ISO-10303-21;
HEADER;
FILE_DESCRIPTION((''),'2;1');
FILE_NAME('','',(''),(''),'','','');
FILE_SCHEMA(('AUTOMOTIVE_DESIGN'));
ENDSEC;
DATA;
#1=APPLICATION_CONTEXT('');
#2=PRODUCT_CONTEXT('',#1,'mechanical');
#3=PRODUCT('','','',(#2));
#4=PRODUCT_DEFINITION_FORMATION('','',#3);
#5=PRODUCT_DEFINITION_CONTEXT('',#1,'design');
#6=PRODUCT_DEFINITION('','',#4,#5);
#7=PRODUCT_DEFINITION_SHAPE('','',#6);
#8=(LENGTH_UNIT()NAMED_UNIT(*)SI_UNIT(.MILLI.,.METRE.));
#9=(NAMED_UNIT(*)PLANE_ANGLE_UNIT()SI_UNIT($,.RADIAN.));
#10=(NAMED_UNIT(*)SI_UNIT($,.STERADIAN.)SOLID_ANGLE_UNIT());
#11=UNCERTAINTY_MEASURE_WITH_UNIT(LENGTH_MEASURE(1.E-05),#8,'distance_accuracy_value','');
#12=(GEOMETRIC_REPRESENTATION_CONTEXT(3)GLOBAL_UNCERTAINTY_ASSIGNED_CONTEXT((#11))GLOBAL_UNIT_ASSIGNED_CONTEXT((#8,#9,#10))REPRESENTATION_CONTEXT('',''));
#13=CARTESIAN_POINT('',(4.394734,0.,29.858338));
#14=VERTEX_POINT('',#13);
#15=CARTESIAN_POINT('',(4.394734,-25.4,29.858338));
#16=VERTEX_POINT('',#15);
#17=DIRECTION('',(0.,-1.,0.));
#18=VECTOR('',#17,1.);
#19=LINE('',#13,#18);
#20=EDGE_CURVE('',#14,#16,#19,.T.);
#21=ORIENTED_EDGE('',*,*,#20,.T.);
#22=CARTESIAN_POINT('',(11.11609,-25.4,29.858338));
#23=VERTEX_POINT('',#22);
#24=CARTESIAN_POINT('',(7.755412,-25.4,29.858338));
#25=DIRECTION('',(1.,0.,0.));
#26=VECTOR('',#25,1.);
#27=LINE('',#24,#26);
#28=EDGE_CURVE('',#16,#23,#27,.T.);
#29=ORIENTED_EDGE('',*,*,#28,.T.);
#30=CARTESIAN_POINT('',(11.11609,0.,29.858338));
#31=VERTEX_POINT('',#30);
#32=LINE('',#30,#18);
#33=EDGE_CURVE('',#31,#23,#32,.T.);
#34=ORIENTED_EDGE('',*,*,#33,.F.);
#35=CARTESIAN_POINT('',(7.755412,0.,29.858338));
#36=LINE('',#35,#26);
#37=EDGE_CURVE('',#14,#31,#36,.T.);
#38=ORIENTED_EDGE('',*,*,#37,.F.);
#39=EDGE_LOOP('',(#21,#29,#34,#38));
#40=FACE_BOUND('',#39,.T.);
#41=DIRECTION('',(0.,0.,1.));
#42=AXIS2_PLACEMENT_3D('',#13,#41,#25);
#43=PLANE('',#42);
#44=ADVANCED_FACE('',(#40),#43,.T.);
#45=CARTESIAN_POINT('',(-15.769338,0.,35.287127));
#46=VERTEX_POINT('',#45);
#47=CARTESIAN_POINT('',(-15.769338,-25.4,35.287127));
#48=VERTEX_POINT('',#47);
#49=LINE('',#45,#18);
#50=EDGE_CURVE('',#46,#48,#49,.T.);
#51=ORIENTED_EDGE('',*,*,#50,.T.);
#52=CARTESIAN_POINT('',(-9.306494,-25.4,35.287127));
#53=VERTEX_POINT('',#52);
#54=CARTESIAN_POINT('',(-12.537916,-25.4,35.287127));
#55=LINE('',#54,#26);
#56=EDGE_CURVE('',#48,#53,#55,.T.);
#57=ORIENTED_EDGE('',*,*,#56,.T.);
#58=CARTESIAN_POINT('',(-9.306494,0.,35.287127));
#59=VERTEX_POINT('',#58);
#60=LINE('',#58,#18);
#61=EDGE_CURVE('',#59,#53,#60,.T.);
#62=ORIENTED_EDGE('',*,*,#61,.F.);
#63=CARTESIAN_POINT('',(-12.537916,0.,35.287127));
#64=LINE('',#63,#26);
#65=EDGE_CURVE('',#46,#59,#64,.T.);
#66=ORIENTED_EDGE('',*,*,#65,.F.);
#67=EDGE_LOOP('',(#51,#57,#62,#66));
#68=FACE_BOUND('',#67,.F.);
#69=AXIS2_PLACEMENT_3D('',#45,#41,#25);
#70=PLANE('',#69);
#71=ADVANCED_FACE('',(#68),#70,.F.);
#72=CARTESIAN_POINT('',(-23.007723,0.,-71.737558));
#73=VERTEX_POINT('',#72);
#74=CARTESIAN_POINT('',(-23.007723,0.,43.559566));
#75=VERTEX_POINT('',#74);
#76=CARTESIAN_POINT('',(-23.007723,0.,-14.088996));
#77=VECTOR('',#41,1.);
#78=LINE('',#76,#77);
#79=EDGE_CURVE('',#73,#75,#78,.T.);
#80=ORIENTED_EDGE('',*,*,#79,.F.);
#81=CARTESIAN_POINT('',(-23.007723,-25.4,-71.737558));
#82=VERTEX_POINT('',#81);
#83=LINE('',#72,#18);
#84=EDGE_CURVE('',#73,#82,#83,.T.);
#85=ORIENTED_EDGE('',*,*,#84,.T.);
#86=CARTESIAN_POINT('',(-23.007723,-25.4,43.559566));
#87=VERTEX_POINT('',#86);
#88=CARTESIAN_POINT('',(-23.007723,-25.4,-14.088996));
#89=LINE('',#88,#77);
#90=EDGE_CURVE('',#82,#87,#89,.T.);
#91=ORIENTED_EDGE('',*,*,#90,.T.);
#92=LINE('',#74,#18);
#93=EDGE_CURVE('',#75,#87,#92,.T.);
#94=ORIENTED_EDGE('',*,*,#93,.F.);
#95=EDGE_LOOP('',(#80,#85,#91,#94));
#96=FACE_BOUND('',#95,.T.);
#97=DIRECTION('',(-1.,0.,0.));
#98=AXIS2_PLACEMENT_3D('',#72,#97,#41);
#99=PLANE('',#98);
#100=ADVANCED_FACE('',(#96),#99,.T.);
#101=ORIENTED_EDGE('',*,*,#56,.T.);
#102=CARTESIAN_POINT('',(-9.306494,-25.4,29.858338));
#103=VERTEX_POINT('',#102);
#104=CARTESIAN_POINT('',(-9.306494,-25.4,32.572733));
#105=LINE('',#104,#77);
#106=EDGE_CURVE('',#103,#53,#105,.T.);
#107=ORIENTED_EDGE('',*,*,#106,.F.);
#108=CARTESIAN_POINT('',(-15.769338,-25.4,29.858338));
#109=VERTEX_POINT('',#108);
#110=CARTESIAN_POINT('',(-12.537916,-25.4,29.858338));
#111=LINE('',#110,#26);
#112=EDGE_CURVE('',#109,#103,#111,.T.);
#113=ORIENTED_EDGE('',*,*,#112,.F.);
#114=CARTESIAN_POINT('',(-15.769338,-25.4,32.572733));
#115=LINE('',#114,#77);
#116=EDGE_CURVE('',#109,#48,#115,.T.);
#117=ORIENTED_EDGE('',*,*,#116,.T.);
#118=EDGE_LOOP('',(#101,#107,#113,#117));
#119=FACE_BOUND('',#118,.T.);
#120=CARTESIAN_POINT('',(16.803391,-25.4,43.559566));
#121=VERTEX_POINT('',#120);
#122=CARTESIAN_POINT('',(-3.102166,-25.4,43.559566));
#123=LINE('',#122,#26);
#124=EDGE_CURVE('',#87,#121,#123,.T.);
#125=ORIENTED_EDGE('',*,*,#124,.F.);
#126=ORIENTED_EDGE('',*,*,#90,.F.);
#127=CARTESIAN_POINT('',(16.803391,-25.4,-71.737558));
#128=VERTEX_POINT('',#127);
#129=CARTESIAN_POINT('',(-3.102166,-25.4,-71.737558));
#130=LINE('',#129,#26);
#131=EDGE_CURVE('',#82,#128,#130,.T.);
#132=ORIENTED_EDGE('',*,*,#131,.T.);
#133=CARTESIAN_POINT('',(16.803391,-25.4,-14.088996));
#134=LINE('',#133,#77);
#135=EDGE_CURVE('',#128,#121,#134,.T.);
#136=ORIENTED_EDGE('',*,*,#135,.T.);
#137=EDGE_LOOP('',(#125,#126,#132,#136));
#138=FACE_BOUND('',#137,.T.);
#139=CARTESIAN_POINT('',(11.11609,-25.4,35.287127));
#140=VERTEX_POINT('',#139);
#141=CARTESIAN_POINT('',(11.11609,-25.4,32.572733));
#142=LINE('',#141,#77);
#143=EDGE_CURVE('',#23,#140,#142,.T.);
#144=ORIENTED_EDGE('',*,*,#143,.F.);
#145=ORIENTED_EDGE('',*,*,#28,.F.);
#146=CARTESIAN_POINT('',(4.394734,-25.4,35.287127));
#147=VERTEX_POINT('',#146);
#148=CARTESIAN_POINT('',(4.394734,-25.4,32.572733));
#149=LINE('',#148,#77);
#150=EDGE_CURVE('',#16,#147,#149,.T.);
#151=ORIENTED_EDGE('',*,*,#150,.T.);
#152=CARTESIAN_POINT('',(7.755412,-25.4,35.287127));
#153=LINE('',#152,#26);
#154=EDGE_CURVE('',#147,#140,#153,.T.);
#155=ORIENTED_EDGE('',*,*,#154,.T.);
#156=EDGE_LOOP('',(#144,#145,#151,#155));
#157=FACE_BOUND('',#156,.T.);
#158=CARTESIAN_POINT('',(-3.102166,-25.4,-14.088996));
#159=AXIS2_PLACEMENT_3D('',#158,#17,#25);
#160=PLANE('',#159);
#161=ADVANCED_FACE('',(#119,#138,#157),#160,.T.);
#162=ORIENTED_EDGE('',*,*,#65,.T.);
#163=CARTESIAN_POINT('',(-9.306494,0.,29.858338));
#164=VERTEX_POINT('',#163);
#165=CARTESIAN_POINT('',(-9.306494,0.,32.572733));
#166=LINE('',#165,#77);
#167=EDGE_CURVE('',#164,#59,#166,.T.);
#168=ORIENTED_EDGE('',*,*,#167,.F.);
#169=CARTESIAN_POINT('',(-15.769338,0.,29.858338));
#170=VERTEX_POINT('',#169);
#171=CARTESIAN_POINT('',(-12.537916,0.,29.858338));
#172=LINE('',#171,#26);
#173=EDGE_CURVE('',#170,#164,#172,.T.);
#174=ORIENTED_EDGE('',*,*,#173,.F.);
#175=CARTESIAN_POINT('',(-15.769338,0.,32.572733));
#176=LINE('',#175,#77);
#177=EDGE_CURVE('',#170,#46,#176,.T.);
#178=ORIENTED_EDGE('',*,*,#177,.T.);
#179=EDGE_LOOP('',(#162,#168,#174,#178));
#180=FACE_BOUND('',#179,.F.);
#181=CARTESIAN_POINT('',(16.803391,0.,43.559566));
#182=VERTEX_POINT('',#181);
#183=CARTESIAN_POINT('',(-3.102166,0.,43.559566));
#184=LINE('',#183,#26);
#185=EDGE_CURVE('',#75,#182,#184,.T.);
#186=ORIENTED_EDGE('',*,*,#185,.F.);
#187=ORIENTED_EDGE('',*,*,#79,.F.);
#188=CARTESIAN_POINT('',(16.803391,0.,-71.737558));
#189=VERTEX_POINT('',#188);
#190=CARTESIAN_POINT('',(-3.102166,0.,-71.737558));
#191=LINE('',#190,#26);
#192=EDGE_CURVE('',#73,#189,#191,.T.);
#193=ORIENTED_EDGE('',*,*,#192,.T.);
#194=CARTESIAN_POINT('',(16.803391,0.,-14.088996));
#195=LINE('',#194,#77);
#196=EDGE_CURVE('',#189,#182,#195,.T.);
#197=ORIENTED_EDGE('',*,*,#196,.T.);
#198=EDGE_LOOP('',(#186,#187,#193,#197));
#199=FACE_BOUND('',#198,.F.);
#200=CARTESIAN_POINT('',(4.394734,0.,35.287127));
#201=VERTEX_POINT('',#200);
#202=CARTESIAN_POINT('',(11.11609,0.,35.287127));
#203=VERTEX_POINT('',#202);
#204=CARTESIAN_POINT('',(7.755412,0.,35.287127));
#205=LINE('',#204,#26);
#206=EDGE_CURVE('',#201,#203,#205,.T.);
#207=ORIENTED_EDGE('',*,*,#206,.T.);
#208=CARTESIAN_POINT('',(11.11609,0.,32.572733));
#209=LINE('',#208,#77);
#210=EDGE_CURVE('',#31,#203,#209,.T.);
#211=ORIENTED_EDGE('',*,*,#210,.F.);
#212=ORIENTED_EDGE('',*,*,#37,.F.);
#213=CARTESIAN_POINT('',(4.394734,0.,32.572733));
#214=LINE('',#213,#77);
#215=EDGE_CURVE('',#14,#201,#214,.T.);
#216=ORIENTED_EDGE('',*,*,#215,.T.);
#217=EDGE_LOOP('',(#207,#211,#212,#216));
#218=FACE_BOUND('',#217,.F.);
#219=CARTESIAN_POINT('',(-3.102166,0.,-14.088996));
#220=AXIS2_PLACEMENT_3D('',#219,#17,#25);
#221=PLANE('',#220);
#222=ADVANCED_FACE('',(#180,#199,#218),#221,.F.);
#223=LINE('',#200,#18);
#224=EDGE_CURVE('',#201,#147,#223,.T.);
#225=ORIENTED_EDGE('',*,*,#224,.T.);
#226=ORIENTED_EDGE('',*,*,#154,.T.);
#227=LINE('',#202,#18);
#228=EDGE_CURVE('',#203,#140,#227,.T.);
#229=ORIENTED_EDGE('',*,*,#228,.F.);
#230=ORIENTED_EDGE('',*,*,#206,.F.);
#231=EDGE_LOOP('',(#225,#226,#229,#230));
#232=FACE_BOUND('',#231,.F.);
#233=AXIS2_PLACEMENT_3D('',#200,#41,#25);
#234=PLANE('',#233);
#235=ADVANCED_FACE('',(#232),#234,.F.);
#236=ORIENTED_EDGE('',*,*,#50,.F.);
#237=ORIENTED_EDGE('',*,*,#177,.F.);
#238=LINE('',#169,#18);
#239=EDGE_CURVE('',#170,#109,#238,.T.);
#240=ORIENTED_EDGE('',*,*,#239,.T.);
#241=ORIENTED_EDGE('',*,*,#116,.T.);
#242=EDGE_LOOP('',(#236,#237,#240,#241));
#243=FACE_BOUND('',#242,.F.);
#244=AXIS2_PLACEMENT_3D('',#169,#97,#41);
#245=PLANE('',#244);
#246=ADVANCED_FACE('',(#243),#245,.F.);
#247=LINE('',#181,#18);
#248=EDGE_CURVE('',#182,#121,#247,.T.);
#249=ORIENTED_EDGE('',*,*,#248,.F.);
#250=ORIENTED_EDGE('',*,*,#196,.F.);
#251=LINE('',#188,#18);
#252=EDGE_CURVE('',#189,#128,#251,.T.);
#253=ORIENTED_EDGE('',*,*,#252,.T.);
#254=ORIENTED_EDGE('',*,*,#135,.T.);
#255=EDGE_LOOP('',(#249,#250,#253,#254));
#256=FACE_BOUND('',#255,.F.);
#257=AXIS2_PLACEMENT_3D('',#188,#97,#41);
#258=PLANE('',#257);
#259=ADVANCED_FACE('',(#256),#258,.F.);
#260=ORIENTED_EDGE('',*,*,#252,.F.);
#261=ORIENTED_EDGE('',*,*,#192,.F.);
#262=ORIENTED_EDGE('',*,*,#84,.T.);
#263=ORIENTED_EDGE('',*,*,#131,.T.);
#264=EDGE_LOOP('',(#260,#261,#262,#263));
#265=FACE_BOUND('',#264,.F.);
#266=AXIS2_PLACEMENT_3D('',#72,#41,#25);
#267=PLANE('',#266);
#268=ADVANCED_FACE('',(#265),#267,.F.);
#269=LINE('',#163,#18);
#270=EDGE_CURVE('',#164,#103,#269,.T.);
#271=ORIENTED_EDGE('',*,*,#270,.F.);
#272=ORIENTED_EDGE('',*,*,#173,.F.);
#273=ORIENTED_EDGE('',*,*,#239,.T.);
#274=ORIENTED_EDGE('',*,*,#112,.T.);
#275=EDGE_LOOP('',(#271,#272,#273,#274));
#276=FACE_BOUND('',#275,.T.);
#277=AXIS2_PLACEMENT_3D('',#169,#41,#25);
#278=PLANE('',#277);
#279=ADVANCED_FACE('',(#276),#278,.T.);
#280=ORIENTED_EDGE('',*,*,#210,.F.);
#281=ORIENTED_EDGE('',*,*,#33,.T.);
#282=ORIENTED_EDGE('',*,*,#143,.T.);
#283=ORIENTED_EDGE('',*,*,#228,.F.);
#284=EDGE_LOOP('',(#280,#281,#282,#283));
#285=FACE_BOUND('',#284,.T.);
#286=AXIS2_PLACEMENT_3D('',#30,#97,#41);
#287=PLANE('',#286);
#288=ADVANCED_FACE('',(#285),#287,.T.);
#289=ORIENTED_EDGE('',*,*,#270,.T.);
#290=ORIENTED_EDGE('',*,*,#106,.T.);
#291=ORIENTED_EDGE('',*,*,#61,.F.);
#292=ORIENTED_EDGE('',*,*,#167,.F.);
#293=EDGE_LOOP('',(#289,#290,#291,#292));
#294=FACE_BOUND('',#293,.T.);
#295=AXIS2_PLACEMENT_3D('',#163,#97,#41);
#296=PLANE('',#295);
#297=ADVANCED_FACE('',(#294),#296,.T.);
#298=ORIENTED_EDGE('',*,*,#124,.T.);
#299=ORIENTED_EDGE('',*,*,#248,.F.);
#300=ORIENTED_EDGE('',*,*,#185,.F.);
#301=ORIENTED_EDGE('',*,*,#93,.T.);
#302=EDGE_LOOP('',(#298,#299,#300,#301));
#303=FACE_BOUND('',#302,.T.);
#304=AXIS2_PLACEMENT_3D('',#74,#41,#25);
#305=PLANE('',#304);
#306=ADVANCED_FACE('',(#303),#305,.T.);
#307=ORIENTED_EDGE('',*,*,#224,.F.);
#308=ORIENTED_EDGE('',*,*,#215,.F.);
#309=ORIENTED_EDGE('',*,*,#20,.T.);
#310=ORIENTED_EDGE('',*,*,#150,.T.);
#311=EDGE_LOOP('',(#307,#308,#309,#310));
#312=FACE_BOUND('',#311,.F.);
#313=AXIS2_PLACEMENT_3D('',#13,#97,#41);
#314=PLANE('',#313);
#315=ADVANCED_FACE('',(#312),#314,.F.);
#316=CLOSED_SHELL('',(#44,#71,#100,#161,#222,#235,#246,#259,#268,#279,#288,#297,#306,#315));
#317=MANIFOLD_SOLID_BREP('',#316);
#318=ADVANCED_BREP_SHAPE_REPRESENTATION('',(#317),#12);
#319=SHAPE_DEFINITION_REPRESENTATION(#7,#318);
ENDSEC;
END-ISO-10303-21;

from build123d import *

# Parameters (mm, degrees)
F0_W     = 39.811114
F0_H     = 115.297124
F0_W_2   = 6.462844
F0_H_2   = 5.428789
F0_W_3   = 6.721356
F1_DEPTH = 25.4


with BuildPart() as f1:
    # F0 (on Front) → F1 (new body)
    with BuildSketch(Plane.XZ):
        with Locations((-3.102166, -14.088996)):
            Rectangle(F0_W, F0_H)
        with Locations((-12.537916, 32.572733)):
            Rectangle(F0_W_2, F0_H_2, mode=Mode.SUBTRACT)
        with Locations((7.755412, 32.572733)):
            Rectangle(F0_W_3, F0_H_2, mode=Mode.SUBTRACT)
    extrude(amount=F1_DEPTH)


solid = f1.part
